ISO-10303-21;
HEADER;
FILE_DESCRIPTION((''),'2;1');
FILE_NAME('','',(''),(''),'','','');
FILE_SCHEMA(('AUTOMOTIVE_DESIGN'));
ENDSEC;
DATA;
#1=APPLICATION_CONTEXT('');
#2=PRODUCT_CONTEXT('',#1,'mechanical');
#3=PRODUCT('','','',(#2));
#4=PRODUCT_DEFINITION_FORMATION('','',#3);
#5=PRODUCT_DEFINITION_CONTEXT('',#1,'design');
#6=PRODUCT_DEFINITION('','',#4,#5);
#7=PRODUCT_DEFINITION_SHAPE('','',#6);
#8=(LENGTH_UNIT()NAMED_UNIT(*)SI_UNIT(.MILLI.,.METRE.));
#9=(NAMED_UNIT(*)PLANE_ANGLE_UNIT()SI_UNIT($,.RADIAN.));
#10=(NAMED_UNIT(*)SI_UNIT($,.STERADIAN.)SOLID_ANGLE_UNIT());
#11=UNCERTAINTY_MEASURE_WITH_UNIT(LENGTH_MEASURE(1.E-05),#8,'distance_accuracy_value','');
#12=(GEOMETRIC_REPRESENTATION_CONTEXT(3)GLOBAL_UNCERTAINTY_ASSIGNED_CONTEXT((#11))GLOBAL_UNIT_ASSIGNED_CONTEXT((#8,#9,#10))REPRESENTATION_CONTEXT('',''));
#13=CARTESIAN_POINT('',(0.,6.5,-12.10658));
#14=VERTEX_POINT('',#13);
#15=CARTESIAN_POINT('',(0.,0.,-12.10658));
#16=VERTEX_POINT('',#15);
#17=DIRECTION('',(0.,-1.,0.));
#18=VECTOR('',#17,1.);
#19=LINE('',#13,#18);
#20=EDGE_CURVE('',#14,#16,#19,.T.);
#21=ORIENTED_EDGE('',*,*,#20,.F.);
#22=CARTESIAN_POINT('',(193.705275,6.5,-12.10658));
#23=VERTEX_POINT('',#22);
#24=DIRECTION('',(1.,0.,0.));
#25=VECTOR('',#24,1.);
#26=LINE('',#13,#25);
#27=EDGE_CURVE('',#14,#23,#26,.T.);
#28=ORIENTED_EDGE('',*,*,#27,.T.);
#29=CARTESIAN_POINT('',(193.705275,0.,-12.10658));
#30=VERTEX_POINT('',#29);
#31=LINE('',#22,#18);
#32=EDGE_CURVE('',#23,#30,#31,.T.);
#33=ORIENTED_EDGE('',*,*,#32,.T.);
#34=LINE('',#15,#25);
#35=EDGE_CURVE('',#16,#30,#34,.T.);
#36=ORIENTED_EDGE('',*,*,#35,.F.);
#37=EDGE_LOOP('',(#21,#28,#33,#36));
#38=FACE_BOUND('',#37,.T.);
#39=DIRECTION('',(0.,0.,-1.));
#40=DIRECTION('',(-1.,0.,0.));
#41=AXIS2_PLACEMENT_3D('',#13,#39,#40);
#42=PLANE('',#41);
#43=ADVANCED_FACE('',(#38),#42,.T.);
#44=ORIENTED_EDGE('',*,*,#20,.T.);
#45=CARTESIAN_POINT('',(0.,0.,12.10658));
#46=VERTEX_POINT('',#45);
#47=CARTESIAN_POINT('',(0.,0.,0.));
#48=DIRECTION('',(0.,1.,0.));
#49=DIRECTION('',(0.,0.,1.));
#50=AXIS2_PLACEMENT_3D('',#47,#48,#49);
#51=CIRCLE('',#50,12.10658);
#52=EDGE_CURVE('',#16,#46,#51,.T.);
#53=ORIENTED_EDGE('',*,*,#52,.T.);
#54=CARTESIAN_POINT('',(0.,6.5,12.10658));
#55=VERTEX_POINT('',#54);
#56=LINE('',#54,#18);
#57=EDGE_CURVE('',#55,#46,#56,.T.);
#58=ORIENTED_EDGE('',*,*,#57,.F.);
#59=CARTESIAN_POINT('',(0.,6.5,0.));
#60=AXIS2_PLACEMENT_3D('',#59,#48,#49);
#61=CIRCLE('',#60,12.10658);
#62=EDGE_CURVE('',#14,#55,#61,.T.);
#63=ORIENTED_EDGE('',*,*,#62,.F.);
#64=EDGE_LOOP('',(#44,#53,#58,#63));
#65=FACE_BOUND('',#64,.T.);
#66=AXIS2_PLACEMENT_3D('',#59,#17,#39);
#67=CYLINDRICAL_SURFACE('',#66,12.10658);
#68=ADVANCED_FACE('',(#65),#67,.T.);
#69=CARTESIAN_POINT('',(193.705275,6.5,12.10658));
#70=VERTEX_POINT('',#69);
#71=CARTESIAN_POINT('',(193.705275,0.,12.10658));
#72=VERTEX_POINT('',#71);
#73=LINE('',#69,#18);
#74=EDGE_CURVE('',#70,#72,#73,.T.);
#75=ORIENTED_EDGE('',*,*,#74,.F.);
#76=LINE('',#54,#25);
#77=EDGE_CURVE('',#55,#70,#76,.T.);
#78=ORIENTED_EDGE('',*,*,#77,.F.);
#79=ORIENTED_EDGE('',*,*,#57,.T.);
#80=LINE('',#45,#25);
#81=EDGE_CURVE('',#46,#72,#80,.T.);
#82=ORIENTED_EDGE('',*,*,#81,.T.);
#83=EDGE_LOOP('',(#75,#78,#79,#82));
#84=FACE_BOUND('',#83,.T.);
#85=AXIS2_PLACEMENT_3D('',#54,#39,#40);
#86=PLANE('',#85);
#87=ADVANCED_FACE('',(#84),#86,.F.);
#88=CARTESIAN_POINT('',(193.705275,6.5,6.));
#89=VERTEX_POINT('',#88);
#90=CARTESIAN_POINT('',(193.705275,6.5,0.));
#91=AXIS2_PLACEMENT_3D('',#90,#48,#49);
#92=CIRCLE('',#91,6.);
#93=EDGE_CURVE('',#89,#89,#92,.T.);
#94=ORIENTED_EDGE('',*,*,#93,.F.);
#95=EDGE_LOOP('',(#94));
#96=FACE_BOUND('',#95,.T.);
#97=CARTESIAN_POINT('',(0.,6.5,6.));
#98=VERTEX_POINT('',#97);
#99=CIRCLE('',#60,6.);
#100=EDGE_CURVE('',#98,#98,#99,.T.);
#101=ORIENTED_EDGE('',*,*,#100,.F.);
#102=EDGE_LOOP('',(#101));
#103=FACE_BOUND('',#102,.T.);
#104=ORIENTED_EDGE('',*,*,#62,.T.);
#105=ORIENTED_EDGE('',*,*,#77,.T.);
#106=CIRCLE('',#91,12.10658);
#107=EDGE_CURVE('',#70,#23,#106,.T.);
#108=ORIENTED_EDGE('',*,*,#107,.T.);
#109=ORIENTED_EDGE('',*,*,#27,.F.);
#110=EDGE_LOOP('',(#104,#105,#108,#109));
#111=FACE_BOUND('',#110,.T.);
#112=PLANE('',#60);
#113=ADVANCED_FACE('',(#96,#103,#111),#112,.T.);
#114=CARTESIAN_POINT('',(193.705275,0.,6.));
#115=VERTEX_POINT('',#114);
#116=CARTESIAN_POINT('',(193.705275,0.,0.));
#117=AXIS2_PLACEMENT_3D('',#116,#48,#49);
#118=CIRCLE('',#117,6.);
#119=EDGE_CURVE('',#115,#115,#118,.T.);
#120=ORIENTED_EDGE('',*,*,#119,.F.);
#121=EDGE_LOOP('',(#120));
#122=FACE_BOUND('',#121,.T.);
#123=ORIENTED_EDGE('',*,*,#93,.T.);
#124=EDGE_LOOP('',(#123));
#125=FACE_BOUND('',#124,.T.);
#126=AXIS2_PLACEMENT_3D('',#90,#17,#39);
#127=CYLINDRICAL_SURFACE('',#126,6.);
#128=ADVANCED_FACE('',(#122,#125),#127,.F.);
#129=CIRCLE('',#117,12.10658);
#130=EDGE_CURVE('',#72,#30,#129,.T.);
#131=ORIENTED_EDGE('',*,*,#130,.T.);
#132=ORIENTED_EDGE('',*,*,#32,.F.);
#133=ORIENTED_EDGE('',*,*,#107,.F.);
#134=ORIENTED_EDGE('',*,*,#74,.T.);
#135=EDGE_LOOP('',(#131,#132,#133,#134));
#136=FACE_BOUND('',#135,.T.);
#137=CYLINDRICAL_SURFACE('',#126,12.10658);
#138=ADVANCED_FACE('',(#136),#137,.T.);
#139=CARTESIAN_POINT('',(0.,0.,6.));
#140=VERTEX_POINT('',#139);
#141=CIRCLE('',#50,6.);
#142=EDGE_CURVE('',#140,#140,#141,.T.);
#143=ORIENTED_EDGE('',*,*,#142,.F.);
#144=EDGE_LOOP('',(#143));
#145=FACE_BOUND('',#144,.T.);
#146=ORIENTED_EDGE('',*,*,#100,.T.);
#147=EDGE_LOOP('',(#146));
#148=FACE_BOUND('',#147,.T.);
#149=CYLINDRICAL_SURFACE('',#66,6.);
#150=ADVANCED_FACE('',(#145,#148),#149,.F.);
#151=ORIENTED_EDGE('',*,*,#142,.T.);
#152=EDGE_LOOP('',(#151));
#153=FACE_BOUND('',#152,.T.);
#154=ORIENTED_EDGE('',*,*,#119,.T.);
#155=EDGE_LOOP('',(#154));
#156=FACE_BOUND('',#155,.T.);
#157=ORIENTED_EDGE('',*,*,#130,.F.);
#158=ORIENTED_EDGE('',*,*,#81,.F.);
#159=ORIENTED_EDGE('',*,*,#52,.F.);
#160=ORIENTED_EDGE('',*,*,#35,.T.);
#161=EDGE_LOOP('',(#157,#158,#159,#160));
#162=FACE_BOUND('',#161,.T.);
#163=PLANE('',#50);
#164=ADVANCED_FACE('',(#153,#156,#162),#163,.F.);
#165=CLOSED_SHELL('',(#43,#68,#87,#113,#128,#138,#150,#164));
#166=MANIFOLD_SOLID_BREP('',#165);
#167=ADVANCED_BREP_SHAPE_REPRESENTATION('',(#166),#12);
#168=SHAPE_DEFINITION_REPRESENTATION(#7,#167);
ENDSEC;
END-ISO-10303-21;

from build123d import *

# Parameters (mm, degrees)
SKETCH1_R           = 6
BOSS_EXTRUDE1_DEPTH = 6.5


with BuildPart() as part:
    # Sketch1 → Boss-Extrude1 (new body)
    with BuildSketch(Plane(origin=(0, 0, 0), x_dir=(1, 0, 0), z_dir=(0, 1, 0))):
        with BuildLine():
            Line((0, 12.106579693), (193.705275083, 12.106579693))
            ThreePointArc((193.705275083, 12.106579693), (205.811854776, 0), (193.705275083, -12.106579693))
            Line((193.705275083, -12.106579693), (0, -12.106579693))
            ThreePointArc((0, -12.106579693), (-12.106579693, 0), (0, 12.106579693))
        make_face()
        Circle(SKETCH1_R, mode=Mode.SUBTRACT)
        with Locations((193.705275083, 0)):
            Circle(SKETCH1_R, mode=Mode.SUBTRACT)
    extrude(amount=BOSS_EXTRUDE1_DEPTH)


solid = part.part
